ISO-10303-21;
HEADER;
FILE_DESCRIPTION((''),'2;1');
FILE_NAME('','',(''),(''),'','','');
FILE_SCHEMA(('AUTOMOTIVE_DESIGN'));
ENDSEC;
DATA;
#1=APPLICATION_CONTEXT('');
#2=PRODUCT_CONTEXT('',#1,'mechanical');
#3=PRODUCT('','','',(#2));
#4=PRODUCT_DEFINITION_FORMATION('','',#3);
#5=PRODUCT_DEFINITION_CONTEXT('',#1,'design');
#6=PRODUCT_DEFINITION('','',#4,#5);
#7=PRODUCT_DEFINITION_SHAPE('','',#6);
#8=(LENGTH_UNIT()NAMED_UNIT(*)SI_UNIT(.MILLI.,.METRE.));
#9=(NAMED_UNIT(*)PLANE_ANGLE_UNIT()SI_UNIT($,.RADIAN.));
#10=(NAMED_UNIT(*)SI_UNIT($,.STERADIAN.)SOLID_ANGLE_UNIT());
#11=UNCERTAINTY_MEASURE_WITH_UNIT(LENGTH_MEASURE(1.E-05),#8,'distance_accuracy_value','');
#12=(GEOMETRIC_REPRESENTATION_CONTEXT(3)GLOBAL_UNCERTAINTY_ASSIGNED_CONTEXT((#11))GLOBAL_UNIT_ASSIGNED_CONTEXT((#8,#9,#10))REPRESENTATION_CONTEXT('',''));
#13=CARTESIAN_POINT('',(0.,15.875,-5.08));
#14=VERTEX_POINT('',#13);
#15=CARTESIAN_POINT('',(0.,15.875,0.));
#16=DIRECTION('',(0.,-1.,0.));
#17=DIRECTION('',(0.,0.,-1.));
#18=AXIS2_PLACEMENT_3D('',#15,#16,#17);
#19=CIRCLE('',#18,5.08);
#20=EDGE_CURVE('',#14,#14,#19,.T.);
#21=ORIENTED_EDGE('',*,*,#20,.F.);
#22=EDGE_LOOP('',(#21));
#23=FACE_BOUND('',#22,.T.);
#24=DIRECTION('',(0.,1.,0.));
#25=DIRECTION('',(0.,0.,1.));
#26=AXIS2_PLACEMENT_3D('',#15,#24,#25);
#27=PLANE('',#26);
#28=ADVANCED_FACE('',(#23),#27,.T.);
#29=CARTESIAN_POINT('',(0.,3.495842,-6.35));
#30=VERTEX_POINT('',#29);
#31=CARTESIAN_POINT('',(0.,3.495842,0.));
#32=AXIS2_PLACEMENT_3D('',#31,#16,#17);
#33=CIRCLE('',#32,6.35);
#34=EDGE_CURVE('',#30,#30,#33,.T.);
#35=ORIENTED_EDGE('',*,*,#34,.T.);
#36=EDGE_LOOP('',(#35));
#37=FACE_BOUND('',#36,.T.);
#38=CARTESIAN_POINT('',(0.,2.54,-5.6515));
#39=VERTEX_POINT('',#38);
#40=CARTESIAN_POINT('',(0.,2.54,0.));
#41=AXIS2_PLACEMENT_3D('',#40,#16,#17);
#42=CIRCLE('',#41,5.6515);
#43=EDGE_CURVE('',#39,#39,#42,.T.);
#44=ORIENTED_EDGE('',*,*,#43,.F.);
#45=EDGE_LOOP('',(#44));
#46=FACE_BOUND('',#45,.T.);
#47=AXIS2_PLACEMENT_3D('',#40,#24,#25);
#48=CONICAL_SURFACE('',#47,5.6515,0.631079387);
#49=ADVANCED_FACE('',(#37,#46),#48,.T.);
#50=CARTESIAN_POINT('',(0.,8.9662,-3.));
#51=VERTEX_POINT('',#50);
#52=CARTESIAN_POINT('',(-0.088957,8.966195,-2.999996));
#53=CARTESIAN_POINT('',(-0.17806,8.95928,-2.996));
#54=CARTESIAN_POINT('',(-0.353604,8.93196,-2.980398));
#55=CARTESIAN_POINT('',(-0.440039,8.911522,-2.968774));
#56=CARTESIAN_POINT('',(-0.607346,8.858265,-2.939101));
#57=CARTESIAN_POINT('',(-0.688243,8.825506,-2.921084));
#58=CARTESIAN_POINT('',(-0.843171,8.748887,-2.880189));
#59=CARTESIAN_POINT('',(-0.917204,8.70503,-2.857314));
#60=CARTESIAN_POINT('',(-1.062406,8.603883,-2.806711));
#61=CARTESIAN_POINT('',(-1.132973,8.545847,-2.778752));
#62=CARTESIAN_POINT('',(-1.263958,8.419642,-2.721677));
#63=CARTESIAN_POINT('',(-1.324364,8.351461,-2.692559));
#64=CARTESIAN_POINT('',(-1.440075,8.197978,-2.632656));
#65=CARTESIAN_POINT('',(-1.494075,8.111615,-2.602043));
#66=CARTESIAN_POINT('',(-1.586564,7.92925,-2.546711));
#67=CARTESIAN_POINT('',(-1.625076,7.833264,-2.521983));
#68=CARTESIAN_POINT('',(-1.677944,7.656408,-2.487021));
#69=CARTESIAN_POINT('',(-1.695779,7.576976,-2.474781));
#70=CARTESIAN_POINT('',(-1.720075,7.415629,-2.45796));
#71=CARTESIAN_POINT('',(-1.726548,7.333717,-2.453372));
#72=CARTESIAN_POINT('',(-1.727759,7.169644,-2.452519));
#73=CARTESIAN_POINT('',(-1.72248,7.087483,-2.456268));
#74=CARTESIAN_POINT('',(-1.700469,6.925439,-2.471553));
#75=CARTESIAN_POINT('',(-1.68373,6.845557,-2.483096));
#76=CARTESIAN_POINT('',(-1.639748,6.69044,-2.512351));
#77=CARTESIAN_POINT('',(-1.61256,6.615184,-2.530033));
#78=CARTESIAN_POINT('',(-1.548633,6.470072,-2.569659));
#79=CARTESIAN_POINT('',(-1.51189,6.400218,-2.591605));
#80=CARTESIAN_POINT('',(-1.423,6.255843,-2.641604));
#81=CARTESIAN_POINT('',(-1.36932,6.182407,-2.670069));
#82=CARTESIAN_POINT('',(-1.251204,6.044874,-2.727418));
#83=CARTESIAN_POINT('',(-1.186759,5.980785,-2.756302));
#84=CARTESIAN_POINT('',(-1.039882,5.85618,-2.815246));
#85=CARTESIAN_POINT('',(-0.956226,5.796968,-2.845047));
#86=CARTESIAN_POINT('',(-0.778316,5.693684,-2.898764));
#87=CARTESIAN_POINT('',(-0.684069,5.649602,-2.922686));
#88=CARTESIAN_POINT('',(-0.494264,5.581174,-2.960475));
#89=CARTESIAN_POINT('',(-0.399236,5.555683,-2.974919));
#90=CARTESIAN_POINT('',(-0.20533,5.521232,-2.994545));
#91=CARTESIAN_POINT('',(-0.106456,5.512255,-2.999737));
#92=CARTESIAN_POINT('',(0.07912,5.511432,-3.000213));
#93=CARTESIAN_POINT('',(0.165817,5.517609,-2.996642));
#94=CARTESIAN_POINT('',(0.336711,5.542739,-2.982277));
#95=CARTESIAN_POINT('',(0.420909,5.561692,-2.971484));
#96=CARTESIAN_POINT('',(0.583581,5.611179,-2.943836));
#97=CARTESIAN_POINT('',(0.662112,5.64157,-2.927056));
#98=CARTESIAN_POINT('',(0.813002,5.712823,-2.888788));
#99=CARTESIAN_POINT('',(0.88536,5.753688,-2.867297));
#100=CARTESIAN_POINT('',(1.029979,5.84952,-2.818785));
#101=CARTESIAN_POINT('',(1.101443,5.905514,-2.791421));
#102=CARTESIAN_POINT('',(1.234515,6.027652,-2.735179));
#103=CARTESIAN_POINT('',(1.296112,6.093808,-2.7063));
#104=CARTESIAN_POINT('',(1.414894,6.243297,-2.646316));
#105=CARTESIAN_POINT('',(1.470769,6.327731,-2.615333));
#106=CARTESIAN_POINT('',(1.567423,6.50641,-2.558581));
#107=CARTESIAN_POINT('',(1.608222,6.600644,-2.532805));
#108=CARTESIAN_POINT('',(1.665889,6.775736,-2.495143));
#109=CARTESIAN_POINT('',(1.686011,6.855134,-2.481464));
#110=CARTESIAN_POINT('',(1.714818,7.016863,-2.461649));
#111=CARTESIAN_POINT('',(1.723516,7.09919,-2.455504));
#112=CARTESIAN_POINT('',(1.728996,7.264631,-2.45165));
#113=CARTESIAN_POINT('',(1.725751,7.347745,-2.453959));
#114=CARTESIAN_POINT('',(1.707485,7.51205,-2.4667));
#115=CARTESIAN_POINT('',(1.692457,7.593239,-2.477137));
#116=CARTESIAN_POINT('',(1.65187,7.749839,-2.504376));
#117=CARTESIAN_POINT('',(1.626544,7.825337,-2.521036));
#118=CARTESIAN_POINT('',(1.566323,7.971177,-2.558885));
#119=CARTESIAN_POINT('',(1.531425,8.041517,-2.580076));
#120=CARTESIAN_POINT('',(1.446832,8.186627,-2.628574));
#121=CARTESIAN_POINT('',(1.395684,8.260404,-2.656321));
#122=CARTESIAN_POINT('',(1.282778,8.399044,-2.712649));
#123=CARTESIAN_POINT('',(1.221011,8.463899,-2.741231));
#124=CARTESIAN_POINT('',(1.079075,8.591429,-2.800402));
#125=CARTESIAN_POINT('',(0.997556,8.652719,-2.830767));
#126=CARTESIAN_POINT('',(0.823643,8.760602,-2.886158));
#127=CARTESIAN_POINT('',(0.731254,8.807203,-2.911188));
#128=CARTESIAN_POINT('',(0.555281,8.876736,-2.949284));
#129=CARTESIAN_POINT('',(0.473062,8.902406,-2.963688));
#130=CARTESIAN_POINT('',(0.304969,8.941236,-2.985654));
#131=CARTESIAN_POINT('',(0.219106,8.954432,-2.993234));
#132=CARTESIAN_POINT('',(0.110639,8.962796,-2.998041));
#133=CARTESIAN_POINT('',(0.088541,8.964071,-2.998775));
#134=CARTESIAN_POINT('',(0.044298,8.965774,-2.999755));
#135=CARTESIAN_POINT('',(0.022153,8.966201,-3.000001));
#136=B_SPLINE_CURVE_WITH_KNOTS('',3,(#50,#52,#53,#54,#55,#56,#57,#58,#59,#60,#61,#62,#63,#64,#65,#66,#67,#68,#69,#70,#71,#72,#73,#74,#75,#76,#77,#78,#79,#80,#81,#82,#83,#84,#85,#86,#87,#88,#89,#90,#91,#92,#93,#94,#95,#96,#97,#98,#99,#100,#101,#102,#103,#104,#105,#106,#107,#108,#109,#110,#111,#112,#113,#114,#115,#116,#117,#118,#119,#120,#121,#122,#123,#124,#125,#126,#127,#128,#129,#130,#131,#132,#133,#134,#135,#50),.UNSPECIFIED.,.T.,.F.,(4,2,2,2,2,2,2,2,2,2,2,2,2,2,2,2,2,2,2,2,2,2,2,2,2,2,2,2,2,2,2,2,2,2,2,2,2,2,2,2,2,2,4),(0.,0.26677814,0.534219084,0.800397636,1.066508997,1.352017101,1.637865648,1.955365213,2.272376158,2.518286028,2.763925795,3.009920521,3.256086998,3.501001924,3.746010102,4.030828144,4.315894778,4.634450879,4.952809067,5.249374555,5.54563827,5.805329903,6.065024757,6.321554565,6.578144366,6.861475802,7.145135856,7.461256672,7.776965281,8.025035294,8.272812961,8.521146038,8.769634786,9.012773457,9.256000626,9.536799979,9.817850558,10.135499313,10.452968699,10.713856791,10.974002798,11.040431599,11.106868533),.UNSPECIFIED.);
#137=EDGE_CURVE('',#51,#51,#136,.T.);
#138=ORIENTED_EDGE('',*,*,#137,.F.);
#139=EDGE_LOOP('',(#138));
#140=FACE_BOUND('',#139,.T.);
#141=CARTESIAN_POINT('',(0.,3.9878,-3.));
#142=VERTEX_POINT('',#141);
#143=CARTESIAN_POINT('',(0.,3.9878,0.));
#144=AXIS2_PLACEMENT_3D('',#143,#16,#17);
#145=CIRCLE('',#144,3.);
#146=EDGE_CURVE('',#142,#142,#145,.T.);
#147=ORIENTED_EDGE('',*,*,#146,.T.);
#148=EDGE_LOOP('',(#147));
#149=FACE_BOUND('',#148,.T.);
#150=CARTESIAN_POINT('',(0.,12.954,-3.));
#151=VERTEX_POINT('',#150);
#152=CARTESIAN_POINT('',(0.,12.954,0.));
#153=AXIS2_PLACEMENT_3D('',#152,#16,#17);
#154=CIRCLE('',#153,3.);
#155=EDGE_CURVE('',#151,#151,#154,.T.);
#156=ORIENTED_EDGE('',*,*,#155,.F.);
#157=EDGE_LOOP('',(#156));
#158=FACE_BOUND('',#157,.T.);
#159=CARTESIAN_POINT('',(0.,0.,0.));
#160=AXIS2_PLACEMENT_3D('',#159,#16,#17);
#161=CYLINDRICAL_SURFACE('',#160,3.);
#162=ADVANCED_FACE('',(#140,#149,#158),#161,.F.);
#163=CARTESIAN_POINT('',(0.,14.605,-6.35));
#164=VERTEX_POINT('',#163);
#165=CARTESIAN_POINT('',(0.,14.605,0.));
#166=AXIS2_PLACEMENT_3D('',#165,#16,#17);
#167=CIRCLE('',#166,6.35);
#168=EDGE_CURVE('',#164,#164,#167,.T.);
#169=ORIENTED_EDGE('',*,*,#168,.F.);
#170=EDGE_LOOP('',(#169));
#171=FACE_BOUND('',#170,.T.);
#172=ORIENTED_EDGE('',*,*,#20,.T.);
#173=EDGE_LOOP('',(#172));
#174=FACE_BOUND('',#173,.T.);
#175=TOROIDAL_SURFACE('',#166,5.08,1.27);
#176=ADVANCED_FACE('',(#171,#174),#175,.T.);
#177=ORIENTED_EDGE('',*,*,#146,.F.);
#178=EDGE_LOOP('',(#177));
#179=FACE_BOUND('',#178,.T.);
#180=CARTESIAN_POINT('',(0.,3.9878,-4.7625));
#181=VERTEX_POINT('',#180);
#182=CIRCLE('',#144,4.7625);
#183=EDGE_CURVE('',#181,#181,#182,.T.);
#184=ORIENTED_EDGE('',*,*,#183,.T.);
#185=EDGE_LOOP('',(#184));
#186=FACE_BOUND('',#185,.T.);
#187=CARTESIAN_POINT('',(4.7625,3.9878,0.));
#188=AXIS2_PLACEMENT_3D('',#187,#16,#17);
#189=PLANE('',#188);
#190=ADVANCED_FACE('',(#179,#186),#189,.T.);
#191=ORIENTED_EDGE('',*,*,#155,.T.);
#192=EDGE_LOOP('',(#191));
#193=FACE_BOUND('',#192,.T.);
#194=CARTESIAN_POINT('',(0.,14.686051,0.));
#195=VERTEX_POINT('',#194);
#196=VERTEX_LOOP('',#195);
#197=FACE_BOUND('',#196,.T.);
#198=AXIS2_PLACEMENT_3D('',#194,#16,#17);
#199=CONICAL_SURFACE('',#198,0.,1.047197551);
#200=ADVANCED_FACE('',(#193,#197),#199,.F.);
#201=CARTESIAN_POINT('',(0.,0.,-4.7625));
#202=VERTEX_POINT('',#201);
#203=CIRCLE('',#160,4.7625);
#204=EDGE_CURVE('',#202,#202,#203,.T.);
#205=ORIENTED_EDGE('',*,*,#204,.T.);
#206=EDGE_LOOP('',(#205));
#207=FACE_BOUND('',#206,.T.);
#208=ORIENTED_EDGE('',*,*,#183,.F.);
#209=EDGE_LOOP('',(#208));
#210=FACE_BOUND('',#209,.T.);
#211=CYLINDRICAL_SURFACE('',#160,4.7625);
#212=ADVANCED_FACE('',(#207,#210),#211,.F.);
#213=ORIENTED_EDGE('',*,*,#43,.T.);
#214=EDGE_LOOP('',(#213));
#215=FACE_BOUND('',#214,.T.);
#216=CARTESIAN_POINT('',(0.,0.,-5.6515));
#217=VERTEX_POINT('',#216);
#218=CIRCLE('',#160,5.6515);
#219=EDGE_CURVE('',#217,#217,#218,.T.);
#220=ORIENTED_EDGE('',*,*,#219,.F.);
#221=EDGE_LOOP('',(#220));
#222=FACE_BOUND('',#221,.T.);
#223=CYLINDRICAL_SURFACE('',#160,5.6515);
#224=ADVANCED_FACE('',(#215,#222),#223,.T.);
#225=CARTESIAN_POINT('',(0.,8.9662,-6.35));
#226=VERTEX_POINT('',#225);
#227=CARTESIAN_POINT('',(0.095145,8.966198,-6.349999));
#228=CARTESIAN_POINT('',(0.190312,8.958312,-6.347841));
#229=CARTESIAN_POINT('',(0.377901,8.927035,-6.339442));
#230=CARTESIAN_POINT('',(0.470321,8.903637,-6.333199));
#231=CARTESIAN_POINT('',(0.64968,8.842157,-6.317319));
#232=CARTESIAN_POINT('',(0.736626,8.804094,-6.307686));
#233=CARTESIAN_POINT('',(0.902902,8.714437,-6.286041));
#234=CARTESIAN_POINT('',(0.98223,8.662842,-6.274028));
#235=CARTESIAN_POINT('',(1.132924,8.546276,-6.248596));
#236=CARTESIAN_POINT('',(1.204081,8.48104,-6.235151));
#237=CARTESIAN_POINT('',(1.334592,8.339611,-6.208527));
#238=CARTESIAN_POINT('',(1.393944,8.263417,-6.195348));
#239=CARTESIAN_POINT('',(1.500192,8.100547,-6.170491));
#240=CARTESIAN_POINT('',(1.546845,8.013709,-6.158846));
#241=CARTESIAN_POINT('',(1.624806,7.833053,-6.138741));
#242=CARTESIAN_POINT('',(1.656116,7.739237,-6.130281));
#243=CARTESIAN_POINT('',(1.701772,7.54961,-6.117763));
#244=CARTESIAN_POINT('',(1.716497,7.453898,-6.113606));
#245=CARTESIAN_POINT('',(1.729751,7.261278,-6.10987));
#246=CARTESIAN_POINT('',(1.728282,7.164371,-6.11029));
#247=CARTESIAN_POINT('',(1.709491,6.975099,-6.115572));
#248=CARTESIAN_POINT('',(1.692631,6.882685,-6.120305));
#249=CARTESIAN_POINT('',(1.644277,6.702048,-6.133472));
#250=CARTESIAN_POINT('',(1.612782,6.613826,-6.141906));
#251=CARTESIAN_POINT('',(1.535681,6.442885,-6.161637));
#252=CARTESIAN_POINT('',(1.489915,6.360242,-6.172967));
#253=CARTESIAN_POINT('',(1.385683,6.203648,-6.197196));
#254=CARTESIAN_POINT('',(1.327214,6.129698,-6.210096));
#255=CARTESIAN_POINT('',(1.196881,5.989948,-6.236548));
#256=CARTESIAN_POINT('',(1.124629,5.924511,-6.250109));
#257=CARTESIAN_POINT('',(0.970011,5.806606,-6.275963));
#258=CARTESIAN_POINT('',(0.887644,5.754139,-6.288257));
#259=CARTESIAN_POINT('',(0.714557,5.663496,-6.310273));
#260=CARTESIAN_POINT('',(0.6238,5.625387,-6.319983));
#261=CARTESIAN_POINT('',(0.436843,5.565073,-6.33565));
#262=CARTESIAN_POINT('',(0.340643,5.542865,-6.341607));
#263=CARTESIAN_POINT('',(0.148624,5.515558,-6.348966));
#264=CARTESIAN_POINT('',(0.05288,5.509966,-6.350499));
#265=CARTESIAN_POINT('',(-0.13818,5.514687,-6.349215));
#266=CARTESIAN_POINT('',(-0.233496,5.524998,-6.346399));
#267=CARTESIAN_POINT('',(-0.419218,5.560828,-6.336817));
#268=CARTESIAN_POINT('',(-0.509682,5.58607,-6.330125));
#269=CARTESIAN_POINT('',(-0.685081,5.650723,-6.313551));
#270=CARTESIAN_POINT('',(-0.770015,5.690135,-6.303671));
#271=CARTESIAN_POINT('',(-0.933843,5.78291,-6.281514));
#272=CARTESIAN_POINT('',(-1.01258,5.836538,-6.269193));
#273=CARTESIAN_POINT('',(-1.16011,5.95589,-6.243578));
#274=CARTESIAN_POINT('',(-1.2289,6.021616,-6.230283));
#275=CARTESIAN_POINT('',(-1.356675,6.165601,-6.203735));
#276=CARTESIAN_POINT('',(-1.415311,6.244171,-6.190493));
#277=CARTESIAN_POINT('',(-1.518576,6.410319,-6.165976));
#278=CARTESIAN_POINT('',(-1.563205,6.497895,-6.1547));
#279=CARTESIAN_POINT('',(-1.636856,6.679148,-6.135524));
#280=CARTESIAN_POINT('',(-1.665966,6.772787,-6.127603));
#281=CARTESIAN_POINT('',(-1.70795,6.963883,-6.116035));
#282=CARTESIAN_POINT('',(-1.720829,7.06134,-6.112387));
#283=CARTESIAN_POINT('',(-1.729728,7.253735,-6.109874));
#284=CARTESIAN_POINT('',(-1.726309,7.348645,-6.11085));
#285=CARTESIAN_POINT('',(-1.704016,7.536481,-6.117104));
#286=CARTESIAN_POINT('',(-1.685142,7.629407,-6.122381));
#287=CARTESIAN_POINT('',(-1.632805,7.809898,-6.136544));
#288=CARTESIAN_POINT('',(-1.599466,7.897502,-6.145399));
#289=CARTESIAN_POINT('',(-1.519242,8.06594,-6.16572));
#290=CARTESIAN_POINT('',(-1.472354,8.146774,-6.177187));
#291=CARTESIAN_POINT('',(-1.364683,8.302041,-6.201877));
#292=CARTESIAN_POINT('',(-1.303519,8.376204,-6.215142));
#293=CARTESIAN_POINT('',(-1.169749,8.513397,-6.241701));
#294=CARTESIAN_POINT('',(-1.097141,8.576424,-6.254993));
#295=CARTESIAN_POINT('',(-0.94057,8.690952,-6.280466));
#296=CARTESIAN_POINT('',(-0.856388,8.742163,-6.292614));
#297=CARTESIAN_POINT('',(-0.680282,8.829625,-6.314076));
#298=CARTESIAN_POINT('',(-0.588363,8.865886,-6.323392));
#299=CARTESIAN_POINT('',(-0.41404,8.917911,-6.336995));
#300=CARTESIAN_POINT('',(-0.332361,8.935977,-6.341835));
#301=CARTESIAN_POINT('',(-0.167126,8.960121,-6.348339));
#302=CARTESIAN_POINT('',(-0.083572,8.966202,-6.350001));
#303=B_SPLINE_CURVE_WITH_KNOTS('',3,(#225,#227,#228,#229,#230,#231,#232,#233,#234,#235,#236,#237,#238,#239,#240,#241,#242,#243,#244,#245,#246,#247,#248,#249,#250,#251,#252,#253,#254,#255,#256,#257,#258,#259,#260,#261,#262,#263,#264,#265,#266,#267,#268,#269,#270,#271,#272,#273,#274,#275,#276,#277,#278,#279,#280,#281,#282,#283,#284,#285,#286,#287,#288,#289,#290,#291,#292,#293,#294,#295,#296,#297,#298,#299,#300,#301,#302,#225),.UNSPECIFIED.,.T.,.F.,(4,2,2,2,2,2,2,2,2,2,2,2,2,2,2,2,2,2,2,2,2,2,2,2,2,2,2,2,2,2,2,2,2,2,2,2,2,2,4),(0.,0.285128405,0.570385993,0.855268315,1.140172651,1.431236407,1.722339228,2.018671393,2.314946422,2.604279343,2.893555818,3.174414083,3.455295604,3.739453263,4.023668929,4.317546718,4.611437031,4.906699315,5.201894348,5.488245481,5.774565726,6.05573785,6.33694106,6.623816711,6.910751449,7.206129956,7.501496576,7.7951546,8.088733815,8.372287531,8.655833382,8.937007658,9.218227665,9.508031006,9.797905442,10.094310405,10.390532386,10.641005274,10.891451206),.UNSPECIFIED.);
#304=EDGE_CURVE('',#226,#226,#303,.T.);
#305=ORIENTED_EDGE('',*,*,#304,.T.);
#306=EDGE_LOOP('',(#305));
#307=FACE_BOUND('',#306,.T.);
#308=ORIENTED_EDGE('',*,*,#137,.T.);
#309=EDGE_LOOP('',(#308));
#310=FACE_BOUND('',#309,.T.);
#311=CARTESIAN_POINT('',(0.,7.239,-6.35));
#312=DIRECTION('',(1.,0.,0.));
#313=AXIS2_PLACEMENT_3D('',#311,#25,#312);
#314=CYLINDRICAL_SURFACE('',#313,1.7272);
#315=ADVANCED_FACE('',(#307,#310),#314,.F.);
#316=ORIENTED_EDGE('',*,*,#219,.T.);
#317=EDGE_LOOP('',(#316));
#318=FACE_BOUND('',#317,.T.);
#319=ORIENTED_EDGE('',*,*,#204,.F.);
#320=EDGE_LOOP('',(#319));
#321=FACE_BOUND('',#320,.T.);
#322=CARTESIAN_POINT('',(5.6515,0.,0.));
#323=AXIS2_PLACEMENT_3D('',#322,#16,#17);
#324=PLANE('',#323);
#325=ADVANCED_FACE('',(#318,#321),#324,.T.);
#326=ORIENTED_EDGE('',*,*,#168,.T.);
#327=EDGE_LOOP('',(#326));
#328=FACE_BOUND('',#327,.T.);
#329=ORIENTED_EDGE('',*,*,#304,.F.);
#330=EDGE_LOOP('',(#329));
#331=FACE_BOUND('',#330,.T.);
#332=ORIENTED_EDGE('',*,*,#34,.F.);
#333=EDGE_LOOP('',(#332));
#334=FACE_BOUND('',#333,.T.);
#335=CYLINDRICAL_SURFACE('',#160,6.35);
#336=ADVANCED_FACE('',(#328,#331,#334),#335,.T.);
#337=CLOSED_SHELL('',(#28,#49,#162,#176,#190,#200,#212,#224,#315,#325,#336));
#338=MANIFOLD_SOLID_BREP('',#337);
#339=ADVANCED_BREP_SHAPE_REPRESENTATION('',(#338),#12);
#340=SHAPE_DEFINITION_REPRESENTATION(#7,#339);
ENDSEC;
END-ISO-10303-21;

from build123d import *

# Parameters (mm, degrees)
SKETCH2_R          = 1.7272
CUT_EXTRUDE1_DEPTH = 7.35


with BuildPart() as part:
    # Sketch1 → Revolve1 (revolve)
    with BuildSketch(Plane.XY, mode=Mode.PRIVATE) as revolve1_sk:
        with BuildLine():
            Line((3, 3.9878), (3, 12.954))
            Line((3, 12.954), (0, 14.686050808))
            Line((0, 14.686050808), (0, 15.875))
            Line((0, 15.875), (5.08, 15.875))
            ThreePointArc((5.08, 15.875), (5.978025612, 15.503025612), (6.35, 14.605))
            Line((6.35, 14.605), (6.35, 3.495842105))
            Line((6.35, 3.495842105), (5.6515, 2.54))
            Line((5.6515, 2.54), (5.6515, 0))
            Line((5.6515, 0), (4.7625, 0))
            Line((4.7625, 0), (4.7625, 3.9878))
            Line((4.7625, 3.9878), (3, 3.9878))
        make_face()
    revolve(revolve1_sk.sketch.rotate(Axis((0, 0, 0), (0, 1, 0)), 90), axis=Axis((0, 0, 0), (0, 1, 0)))  # turned: the seam where the file's is

    # Sketch2 → Cut-Extrude1 (cut, through all)
    with BuildSketch(Plane.XY):
        with Locations(Location((0, 7.239, 0), (0, 0, 90))):  # turned: the seam where the file's is
            Circle(SKETCH2_R)
    extrude(amount=-CUT_EXTRUDE1_DEPTH, mode=Mode.SUBTRACT)


solid = part.part
